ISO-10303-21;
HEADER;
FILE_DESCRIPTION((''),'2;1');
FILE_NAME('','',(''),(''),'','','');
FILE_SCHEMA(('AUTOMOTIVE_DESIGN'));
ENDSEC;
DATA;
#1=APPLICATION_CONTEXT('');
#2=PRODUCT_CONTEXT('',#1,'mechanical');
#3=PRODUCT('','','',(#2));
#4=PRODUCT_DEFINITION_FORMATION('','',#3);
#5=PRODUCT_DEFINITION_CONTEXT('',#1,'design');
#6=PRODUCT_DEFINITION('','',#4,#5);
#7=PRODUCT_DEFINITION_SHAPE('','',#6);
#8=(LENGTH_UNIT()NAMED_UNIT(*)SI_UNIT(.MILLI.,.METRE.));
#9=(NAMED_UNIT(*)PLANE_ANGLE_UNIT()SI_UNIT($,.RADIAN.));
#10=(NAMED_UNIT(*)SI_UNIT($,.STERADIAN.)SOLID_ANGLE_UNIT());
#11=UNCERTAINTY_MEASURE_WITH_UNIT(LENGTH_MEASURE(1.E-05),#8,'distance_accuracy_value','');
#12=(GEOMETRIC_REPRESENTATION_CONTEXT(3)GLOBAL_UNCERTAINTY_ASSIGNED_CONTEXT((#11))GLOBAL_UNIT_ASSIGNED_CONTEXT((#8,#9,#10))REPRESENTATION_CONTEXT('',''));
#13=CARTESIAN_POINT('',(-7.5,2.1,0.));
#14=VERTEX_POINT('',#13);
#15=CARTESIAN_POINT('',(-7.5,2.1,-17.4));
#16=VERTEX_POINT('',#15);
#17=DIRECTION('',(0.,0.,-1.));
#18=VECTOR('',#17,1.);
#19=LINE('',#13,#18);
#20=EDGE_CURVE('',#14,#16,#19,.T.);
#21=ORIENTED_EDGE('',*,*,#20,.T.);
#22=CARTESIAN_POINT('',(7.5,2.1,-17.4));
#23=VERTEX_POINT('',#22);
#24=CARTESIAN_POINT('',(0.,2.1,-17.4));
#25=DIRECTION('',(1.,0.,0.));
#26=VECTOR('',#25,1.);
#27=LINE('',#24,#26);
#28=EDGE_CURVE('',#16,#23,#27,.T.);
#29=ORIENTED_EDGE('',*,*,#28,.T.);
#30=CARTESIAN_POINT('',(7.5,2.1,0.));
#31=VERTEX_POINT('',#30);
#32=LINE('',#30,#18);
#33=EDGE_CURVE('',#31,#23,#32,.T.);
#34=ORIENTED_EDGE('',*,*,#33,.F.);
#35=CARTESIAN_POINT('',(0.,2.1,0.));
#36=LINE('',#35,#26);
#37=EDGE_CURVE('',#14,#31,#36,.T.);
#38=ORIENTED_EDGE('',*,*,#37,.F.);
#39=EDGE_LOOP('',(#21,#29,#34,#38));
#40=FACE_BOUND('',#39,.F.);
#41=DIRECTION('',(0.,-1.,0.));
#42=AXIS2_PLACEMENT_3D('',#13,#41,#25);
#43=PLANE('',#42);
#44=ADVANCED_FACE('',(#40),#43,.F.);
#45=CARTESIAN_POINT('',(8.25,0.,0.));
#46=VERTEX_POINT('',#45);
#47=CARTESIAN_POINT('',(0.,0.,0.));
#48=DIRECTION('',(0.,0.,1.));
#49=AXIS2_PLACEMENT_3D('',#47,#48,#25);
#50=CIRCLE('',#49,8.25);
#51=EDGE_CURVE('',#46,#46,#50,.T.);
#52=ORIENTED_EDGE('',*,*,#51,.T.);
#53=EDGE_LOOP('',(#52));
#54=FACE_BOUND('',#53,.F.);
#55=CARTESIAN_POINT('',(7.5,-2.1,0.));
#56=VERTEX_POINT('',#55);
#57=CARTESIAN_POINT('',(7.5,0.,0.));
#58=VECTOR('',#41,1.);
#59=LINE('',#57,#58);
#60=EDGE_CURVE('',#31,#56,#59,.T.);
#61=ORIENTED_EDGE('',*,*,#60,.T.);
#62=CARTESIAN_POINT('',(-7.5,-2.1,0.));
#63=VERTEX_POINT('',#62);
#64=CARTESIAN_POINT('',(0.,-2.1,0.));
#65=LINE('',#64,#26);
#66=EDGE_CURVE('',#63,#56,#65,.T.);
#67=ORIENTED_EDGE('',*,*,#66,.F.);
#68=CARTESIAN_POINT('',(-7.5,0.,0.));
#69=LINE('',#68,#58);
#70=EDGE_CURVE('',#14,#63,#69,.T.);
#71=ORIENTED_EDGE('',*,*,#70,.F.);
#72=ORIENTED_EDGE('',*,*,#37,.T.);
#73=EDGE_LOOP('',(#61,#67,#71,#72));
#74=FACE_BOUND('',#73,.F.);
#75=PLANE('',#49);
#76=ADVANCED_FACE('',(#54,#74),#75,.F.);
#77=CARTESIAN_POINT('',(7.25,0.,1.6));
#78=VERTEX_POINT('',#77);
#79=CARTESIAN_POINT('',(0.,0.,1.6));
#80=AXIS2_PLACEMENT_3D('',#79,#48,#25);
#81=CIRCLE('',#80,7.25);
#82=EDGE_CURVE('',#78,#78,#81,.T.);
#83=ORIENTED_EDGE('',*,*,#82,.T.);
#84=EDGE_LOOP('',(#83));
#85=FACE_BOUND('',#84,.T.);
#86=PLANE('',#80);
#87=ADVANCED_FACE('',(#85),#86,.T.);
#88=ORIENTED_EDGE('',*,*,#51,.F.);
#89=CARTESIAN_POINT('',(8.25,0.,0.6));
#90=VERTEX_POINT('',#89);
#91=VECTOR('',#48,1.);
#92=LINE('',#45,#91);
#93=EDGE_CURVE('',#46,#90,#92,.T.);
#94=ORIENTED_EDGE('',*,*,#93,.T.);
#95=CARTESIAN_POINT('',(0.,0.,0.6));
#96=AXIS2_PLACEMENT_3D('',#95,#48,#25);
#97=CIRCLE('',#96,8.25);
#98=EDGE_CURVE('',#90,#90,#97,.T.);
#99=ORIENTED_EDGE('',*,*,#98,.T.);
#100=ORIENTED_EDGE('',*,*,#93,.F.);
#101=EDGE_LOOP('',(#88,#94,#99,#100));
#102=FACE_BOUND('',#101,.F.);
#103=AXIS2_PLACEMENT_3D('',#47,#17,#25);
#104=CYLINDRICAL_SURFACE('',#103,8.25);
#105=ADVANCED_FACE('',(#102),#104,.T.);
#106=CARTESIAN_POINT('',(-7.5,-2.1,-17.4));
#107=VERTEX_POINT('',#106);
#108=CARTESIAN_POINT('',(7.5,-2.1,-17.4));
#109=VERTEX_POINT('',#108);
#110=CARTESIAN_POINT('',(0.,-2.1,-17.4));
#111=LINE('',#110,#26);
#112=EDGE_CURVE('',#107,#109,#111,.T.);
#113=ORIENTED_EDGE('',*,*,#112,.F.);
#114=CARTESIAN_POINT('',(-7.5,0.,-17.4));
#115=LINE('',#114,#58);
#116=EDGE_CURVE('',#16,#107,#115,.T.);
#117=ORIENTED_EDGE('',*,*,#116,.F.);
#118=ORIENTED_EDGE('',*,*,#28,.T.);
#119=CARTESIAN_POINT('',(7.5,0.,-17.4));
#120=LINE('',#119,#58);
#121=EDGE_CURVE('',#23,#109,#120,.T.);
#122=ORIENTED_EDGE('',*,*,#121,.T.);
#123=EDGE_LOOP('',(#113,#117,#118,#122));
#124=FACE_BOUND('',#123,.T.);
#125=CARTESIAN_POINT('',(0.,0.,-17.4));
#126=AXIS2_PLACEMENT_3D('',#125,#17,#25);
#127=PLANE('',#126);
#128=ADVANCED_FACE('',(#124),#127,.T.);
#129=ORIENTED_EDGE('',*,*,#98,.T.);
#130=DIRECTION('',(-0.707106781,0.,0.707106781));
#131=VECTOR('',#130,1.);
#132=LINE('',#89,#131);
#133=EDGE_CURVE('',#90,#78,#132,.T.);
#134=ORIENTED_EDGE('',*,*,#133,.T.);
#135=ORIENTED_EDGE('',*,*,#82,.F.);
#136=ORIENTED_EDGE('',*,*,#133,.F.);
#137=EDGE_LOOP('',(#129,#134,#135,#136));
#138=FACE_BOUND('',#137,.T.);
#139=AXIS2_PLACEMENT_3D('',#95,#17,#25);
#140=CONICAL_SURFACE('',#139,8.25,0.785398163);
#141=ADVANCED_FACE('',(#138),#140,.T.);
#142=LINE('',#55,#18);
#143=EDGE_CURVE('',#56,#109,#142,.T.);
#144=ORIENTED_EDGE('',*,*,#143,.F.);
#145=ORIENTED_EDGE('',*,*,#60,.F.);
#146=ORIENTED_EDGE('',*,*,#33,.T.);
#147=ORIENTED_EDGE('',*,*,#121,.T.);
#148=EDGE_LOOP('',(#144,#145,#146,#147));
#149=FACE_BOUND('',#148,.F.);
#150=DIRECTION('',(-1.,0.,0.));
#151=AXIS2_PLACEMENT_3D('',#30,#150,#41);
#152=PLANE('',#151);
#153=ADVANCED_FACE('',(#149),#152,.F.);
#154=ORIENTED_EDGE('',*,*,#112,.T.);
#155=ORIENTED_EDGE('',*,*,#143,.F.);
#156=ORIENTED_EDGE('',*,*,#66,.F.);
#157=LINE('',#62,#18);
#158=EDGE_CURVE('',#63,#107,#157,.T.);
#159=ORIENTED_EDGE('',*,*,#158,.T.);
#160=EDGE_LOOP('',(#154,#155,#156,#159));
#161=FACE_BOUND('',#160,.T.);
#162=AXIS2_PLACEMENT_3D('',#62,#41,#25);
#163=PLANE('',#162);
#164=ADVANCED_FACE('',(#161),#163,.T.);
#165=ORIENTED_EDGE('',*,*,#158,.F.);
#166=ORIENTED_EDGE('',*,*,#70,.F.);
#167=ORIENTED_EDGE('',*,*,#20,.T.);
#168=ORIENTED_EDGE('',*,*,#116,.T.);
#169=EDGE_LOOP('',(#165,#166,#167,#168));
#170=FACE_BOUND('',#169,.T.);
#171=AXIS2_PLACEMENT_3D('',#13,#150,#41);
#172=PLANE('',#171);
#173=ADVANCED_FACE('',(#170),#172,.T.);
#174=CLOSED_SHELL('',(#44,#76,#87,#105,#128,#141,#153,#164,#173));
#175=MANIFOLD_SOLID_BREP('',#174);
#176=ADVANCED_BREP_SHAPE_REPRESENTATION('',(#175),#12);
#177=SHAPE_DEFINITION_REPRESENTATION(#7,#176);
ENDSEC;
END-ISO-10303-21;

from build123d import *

# Parameters (mm, degrees)
SKETCH_R         = 8.25
EXTRUDE_DEPTH    = 1.6
CHAMFER_SIZE     = 1
SKETCH001_W      = 15
SKETCH001_H      = 4.2
EXTRUDE001_DEPTH = 17.4


with BuildPart() as chamfer_body:
    # Sketch → Extrude (new body)
    with BuildSketch(Plane.XY):
        Circle(SKETCH_R)
    extrude(amount=EXTRUDE_DEPTH)

    # Chamfer
    chamfer_edges = [chamfer_body.edges().sort_by_distance(p)[0] for p in [
        (-8.25, 0, 1.6),
    ]]
    chamfer(chamfer_edges, length=CHAMFER_SIZE)


with BuildPart() as fusion:
    # Sketch001 (on Face3 of Chamfer) → Extrude001 (new body)
    with BuildSketch(Plane(origin=(0, 0, 0), x_dir=(1, 0, 0), z_dir=(0, 0, -1))):
        Rectangle(SKETCH001_W, SKETCH001_H)
    extrude(amount=EXTRUDE001_DEPTH)

    # Fusion: union Chamfer body
    add(chamfer_body.part)


solid = fusion.part
